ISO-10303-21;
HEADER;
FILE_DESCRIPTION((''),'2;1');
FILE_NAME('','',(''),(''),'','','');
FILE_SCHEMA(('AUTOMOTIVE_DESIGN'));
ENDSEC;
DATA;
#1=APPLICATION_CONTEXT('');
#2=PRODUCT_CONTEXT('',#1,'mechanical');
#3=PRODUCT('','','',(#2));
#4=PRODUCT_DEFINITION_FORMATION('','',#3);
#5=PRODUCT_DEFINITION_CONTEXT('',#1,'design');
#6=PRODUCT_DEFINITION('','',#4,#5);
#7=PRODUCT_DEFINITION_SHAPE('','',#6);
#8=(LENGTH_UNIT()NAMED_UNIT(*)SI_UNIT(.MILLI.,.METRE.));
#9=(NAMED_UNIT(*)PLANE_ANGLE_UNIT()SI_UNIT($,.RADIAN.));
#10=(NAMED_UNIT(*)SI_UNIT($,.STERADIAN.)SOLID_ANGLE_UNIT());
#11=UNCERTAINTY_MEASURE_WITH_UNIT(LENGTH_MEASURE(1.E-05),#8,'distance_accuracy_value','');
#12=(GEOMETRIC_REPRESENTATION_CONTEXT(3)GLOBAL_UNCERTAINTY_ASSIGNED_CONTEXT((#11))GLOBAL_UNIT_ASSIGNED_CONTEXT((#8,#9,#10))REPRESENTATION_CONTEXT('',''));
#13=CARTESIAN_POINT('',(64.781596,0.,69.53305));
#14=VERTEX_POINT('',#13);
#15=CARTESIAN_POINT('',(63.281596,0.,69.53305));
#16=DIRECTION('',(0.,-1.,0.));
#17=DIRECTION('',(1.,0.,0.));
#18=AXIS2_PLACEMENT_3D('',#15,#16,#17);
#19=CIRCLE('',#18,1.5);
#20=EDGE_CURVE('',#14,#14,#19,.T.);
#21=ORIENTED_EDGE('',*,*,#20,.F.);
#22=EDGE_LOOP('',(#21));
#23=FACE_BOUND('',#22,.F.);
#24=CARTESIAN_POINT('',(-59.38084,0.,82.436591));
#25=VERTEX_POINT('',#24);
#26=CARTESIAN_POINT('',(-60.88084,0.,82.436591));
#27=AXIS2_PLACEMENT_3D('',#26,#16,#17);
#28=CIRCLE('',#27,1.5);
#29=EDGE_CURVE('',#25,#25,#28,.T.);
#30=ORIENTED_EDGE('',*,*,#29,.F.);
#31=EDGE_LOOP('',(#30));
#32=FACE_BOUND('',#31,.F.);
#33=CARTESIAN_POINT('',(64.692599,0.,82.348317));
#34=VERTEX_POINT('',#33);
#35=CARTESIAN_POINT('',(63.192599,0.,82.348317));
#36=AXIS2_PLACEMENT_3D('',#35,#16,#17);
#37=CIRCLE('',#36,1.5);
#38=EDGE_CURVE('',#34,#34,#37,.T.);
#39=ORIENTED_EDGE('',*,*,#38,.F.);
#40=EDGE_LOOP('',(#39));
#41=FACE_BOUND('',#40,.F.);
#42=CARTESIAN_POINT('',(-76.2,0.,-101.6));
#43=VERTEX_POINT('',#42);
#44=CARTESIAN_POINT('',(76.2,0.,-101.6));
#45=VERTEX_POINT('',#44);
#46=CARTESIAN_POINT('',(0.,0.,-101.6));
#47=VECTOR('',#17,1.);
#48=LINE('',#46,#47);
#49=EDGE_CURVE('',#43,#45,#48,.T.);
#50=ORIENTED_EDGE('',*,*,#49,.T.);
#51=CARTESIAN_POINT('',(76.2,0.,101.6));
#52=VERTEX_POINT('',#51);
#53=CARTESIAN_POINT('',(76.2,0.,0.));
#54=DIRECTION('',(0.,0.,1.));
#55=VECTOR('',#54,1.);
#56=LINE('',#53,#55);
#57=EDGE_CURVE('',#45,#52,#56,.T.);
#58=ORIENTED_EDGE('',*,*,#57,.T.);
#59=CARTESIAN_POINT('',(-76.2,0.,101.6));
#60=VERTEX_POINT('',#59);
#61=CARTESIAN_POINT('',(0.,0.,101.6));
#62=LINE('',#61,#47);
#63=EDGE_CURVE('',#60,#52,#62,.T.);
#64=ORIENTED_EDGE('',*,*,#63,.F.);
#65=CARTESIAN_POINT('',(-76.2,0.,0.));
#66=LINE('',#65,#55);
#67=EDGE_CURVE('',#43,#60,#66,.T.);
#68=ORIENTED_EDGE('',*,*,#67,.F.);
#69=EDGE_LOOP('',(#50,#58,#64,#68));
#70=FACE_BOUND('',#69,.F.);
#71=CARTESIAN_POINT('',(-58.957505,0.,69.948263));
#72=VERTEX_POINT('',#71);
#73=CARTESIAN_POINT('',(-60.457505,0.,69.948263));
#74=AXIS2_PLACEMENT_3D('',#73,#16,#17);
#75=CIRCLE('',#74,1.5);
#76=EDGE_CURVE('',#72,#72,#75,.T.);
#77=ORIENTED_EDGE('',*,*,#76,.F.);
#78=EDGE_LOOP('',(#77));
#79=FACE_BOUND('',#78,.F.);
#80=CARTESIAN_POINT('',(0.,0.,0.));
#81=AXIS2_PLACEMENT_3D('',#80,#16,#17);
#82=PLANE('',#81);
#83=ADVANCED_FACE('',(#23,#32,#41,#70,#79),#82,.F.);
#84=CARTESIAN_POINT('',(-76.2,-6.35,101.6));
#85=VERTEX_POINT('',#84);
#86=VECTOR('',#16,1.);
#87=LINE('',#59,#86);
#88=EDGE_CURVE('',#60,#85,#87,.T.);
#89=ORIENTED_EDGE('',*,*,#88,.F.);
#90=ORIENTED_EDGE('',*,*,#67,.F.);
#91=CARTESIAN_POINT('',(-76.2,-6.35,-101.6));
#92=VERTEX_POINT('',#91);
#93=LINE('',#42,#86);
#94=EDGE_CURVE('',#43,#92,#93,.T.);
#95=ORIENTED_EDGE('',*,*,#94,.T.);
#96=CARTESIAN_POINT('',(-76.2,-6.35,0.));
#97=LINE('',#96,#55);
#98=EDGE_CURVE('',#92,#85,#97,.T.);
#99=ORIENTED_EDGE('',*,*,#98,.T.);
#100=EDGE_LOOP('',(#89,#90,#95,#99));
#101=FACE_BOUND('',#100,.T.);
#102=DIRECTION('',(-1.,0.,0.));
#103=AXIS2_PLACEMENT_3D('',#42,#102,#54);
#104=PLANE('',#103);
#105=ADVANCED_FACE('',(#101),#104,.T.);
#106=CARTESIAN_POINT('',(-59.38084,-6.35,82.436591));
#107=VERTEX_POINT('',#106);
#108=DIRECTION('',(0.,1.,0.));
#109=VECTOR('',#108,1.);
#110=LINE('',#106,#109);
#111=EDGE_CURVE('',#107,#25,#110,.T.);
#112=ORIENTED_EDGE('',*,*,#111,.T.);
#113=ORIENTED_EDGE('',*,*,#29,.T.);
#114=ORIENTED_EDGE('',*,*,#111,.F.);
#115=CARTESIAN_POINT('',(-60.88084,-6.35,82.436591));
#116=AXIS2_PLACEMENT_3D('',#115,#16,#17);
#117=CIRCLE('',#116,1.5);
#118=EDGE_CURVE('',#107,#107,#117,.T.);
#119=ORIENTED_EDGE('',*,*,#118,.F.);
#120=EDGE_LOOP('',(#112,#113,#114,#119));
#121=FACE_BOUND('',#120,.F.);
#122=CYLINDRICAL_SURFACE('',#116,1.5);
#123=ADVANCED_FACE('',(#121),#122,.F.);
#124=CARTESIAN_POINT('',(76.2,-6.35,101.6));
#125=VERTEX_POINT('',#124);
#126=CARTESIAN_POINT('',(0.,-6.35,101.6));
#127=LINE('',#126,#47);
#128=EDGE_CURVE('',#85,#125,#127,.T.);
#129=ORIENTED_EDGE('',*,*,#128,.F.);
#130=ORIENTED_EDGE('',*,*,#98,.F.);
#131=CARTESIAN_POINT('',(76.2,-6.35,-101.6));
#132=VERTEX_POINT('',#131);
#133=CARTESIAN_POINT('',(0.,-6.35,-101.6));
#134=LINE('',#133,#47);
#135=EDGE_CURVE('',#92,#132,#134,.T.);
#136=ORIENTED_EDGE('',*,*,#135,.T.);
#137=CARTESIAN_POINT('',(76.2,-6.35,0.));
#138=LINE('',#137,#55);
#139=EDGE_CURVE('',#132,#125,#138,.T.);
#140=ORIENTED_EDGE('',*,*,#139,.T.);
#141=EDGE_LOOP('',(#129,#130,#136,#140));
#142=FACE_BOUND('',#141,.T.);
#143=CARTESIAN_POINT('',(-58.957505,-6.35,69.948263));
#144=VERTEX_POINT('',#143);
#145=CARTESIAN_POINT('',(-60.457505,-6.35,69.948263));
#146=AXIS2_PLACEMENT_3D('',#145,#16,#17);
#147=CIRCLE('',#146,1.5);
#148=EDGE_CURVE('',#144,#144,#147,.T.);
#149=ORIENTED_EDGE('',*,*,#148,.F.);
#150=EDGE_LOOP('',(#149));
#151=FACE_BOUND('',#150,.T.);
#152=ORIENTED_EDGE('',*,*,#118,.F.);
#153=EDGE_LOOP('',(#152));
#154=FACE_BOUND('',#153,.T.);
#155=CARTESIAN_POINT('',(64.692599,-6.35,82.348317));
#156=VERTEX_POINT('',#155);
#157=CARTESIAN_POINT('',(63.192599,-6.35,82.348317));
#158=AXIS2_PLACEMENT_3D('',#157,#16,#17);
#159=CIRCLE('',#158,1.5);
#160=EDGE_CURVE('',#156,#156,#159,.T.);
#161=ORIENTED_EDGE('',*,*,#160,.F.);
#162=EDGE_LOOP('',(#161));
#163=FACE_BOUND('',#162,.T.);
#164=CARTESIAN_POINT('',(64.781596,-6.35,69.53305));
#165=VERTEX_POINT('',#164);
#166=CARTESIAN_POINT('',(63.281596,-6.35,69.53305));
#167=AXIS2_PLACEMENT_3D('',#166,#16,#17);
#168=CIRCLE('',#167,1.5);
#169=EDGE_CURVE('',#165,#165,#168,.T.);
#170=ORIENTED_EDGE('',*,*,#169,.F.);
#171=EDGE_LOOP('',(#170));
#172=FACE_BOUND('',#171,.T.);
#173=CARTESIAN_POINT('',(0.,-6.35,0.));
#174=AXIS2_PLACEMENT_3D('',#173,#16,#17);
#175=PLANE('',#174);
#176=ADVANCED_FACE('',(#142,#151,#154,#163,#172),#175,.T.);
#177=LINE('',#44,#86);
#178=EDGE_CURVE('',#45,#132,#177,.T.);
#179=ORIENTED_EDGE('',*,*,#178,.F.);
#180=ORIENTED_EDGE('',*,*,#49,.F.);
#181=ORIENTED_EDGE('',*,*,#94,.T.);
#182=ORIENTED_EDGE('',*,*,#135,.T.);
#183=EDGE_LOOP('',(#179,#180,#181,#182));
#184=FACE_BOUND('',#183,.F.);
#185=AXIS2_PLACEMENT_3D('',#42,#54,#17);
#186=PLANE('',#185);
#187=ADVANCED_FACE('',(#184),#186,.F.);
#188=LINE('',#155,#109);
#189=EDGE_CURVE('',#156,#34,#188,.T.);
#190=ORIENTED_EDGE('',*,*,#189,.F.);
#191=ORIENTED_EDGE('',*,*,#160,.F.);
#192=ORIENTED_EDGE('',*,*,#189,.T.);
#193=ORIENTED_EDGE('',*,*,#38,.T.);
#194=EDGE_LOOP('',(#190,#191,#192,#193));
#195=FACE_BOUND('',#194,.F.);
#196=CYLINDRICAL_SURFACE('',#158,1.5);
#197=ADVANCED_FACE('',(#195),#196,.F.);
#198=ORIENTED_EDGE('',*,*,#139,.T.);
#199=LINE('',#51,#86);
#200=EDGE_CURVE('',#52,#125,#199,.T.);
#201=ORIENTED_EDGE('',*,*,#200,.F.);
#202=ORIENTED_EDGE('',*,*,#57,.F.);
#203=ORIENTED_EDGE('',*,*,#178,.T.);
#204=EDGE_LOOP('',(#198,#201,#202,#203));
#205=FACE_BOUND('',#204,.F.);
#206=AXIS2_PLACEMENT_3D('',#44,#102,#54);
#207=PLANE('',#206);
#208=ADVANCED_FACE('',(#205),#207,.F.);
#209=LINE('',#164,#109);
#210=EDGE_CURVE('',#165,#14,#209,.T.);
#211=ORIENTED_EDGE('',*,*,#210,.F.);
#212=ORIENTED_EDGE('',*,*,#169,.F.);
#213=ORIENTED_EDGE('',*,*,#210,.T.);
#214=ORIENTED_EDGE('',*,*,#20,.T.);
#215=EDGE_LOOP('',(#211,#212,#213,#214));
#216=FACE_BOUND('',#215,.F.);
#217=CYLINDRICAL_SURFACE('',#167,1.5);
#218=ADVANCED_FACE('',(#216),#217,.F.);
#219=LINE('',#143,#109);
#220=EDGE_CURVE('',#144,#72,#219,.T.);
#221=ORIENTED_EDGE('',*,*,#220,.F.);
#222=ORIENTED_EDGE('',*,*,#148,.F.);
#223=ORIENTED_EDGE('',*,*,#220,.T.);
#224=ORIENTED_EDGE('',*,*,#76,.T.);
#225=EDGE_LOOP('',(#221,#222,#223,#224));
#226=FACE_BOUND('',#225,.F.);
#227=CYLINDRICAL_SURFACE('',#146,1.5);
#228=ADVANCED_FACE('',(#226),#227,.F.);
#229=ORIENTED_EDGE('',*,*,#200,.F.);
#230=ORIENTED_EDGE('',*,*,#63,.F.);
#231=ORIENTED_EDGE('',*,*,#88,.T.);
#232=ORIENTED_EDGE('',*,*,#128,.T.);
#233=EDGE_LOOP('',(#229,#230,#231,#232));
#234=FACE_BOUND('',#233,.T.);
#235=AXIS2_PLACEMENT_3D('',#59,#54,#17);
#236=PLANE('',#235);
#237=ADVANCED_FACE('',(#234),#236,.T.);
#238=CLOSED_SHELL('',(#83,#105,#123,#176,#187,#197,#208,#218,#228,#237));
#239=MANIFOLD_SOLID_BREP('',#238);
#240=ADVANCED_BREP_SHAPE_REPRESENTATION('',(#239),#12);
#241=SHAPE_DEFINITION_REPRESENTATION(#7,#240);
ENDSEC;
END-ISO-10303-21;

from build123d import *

# Parameters (mm, degrees)
F0_W      = 152.4
F0_H      = 203.2
F1_DEPTH  = 6.35
F3_R      = 1.5
F5_DEPTH  = 6.35
F4_R      = 1.5
F6_DEPTH  = 6.35
F8_R      = 1.5
F10_DEPTH = 6.35
F9_R      = 1.5
F11_DEPTH = 6.35


with BuildPart() as f1:
    # F0 (on Front) → F1 (new body)
    with BuildSketch(Plane.XZ):
        Rectangle(F0_W, F0_H)
    extrude(amount=F1_DEPTH)

    # F3 (on face) → F5 (cut)
    with BuildSketch(Plane.XZ.offset(6.35)):
        with Locations((-60.88084, 82.436591)):
            Circle(F3_R)
    extrude(amount=-F5_DEPTH, mode=Mode.SUBTRACT)

    # F4 (on face) → F6 (cut)
    with BuildSketch(Plane.XZ.offset(6.35)):
        with Locations((-60.457505, 69.948263)):
            Circle(F4_R)
    extrude(amount=-F6_DEPTH, mode=Mode.SUBTRACT)

    # F8 (on face) → F10 (cut)
    with BuildSketch(Plane.XZ.offset(6.35)):
        with Locations((63.192599, 82.348317)):
            Circle(F8_R)
    extrude(amount=-F10_DEPTH, mode=Mode.SUBTRACT)

    # F9 (on face) → F11 (cut)
    with BuildSketch(Plane.XZ.offset(6.35)):
        with Locations((63.281596, 69.53305)):
            Circle(F9_R)
    extrude(amount=-F11_DEPTH, mode=Mode.SUBTRACT)


solid = f1.part
